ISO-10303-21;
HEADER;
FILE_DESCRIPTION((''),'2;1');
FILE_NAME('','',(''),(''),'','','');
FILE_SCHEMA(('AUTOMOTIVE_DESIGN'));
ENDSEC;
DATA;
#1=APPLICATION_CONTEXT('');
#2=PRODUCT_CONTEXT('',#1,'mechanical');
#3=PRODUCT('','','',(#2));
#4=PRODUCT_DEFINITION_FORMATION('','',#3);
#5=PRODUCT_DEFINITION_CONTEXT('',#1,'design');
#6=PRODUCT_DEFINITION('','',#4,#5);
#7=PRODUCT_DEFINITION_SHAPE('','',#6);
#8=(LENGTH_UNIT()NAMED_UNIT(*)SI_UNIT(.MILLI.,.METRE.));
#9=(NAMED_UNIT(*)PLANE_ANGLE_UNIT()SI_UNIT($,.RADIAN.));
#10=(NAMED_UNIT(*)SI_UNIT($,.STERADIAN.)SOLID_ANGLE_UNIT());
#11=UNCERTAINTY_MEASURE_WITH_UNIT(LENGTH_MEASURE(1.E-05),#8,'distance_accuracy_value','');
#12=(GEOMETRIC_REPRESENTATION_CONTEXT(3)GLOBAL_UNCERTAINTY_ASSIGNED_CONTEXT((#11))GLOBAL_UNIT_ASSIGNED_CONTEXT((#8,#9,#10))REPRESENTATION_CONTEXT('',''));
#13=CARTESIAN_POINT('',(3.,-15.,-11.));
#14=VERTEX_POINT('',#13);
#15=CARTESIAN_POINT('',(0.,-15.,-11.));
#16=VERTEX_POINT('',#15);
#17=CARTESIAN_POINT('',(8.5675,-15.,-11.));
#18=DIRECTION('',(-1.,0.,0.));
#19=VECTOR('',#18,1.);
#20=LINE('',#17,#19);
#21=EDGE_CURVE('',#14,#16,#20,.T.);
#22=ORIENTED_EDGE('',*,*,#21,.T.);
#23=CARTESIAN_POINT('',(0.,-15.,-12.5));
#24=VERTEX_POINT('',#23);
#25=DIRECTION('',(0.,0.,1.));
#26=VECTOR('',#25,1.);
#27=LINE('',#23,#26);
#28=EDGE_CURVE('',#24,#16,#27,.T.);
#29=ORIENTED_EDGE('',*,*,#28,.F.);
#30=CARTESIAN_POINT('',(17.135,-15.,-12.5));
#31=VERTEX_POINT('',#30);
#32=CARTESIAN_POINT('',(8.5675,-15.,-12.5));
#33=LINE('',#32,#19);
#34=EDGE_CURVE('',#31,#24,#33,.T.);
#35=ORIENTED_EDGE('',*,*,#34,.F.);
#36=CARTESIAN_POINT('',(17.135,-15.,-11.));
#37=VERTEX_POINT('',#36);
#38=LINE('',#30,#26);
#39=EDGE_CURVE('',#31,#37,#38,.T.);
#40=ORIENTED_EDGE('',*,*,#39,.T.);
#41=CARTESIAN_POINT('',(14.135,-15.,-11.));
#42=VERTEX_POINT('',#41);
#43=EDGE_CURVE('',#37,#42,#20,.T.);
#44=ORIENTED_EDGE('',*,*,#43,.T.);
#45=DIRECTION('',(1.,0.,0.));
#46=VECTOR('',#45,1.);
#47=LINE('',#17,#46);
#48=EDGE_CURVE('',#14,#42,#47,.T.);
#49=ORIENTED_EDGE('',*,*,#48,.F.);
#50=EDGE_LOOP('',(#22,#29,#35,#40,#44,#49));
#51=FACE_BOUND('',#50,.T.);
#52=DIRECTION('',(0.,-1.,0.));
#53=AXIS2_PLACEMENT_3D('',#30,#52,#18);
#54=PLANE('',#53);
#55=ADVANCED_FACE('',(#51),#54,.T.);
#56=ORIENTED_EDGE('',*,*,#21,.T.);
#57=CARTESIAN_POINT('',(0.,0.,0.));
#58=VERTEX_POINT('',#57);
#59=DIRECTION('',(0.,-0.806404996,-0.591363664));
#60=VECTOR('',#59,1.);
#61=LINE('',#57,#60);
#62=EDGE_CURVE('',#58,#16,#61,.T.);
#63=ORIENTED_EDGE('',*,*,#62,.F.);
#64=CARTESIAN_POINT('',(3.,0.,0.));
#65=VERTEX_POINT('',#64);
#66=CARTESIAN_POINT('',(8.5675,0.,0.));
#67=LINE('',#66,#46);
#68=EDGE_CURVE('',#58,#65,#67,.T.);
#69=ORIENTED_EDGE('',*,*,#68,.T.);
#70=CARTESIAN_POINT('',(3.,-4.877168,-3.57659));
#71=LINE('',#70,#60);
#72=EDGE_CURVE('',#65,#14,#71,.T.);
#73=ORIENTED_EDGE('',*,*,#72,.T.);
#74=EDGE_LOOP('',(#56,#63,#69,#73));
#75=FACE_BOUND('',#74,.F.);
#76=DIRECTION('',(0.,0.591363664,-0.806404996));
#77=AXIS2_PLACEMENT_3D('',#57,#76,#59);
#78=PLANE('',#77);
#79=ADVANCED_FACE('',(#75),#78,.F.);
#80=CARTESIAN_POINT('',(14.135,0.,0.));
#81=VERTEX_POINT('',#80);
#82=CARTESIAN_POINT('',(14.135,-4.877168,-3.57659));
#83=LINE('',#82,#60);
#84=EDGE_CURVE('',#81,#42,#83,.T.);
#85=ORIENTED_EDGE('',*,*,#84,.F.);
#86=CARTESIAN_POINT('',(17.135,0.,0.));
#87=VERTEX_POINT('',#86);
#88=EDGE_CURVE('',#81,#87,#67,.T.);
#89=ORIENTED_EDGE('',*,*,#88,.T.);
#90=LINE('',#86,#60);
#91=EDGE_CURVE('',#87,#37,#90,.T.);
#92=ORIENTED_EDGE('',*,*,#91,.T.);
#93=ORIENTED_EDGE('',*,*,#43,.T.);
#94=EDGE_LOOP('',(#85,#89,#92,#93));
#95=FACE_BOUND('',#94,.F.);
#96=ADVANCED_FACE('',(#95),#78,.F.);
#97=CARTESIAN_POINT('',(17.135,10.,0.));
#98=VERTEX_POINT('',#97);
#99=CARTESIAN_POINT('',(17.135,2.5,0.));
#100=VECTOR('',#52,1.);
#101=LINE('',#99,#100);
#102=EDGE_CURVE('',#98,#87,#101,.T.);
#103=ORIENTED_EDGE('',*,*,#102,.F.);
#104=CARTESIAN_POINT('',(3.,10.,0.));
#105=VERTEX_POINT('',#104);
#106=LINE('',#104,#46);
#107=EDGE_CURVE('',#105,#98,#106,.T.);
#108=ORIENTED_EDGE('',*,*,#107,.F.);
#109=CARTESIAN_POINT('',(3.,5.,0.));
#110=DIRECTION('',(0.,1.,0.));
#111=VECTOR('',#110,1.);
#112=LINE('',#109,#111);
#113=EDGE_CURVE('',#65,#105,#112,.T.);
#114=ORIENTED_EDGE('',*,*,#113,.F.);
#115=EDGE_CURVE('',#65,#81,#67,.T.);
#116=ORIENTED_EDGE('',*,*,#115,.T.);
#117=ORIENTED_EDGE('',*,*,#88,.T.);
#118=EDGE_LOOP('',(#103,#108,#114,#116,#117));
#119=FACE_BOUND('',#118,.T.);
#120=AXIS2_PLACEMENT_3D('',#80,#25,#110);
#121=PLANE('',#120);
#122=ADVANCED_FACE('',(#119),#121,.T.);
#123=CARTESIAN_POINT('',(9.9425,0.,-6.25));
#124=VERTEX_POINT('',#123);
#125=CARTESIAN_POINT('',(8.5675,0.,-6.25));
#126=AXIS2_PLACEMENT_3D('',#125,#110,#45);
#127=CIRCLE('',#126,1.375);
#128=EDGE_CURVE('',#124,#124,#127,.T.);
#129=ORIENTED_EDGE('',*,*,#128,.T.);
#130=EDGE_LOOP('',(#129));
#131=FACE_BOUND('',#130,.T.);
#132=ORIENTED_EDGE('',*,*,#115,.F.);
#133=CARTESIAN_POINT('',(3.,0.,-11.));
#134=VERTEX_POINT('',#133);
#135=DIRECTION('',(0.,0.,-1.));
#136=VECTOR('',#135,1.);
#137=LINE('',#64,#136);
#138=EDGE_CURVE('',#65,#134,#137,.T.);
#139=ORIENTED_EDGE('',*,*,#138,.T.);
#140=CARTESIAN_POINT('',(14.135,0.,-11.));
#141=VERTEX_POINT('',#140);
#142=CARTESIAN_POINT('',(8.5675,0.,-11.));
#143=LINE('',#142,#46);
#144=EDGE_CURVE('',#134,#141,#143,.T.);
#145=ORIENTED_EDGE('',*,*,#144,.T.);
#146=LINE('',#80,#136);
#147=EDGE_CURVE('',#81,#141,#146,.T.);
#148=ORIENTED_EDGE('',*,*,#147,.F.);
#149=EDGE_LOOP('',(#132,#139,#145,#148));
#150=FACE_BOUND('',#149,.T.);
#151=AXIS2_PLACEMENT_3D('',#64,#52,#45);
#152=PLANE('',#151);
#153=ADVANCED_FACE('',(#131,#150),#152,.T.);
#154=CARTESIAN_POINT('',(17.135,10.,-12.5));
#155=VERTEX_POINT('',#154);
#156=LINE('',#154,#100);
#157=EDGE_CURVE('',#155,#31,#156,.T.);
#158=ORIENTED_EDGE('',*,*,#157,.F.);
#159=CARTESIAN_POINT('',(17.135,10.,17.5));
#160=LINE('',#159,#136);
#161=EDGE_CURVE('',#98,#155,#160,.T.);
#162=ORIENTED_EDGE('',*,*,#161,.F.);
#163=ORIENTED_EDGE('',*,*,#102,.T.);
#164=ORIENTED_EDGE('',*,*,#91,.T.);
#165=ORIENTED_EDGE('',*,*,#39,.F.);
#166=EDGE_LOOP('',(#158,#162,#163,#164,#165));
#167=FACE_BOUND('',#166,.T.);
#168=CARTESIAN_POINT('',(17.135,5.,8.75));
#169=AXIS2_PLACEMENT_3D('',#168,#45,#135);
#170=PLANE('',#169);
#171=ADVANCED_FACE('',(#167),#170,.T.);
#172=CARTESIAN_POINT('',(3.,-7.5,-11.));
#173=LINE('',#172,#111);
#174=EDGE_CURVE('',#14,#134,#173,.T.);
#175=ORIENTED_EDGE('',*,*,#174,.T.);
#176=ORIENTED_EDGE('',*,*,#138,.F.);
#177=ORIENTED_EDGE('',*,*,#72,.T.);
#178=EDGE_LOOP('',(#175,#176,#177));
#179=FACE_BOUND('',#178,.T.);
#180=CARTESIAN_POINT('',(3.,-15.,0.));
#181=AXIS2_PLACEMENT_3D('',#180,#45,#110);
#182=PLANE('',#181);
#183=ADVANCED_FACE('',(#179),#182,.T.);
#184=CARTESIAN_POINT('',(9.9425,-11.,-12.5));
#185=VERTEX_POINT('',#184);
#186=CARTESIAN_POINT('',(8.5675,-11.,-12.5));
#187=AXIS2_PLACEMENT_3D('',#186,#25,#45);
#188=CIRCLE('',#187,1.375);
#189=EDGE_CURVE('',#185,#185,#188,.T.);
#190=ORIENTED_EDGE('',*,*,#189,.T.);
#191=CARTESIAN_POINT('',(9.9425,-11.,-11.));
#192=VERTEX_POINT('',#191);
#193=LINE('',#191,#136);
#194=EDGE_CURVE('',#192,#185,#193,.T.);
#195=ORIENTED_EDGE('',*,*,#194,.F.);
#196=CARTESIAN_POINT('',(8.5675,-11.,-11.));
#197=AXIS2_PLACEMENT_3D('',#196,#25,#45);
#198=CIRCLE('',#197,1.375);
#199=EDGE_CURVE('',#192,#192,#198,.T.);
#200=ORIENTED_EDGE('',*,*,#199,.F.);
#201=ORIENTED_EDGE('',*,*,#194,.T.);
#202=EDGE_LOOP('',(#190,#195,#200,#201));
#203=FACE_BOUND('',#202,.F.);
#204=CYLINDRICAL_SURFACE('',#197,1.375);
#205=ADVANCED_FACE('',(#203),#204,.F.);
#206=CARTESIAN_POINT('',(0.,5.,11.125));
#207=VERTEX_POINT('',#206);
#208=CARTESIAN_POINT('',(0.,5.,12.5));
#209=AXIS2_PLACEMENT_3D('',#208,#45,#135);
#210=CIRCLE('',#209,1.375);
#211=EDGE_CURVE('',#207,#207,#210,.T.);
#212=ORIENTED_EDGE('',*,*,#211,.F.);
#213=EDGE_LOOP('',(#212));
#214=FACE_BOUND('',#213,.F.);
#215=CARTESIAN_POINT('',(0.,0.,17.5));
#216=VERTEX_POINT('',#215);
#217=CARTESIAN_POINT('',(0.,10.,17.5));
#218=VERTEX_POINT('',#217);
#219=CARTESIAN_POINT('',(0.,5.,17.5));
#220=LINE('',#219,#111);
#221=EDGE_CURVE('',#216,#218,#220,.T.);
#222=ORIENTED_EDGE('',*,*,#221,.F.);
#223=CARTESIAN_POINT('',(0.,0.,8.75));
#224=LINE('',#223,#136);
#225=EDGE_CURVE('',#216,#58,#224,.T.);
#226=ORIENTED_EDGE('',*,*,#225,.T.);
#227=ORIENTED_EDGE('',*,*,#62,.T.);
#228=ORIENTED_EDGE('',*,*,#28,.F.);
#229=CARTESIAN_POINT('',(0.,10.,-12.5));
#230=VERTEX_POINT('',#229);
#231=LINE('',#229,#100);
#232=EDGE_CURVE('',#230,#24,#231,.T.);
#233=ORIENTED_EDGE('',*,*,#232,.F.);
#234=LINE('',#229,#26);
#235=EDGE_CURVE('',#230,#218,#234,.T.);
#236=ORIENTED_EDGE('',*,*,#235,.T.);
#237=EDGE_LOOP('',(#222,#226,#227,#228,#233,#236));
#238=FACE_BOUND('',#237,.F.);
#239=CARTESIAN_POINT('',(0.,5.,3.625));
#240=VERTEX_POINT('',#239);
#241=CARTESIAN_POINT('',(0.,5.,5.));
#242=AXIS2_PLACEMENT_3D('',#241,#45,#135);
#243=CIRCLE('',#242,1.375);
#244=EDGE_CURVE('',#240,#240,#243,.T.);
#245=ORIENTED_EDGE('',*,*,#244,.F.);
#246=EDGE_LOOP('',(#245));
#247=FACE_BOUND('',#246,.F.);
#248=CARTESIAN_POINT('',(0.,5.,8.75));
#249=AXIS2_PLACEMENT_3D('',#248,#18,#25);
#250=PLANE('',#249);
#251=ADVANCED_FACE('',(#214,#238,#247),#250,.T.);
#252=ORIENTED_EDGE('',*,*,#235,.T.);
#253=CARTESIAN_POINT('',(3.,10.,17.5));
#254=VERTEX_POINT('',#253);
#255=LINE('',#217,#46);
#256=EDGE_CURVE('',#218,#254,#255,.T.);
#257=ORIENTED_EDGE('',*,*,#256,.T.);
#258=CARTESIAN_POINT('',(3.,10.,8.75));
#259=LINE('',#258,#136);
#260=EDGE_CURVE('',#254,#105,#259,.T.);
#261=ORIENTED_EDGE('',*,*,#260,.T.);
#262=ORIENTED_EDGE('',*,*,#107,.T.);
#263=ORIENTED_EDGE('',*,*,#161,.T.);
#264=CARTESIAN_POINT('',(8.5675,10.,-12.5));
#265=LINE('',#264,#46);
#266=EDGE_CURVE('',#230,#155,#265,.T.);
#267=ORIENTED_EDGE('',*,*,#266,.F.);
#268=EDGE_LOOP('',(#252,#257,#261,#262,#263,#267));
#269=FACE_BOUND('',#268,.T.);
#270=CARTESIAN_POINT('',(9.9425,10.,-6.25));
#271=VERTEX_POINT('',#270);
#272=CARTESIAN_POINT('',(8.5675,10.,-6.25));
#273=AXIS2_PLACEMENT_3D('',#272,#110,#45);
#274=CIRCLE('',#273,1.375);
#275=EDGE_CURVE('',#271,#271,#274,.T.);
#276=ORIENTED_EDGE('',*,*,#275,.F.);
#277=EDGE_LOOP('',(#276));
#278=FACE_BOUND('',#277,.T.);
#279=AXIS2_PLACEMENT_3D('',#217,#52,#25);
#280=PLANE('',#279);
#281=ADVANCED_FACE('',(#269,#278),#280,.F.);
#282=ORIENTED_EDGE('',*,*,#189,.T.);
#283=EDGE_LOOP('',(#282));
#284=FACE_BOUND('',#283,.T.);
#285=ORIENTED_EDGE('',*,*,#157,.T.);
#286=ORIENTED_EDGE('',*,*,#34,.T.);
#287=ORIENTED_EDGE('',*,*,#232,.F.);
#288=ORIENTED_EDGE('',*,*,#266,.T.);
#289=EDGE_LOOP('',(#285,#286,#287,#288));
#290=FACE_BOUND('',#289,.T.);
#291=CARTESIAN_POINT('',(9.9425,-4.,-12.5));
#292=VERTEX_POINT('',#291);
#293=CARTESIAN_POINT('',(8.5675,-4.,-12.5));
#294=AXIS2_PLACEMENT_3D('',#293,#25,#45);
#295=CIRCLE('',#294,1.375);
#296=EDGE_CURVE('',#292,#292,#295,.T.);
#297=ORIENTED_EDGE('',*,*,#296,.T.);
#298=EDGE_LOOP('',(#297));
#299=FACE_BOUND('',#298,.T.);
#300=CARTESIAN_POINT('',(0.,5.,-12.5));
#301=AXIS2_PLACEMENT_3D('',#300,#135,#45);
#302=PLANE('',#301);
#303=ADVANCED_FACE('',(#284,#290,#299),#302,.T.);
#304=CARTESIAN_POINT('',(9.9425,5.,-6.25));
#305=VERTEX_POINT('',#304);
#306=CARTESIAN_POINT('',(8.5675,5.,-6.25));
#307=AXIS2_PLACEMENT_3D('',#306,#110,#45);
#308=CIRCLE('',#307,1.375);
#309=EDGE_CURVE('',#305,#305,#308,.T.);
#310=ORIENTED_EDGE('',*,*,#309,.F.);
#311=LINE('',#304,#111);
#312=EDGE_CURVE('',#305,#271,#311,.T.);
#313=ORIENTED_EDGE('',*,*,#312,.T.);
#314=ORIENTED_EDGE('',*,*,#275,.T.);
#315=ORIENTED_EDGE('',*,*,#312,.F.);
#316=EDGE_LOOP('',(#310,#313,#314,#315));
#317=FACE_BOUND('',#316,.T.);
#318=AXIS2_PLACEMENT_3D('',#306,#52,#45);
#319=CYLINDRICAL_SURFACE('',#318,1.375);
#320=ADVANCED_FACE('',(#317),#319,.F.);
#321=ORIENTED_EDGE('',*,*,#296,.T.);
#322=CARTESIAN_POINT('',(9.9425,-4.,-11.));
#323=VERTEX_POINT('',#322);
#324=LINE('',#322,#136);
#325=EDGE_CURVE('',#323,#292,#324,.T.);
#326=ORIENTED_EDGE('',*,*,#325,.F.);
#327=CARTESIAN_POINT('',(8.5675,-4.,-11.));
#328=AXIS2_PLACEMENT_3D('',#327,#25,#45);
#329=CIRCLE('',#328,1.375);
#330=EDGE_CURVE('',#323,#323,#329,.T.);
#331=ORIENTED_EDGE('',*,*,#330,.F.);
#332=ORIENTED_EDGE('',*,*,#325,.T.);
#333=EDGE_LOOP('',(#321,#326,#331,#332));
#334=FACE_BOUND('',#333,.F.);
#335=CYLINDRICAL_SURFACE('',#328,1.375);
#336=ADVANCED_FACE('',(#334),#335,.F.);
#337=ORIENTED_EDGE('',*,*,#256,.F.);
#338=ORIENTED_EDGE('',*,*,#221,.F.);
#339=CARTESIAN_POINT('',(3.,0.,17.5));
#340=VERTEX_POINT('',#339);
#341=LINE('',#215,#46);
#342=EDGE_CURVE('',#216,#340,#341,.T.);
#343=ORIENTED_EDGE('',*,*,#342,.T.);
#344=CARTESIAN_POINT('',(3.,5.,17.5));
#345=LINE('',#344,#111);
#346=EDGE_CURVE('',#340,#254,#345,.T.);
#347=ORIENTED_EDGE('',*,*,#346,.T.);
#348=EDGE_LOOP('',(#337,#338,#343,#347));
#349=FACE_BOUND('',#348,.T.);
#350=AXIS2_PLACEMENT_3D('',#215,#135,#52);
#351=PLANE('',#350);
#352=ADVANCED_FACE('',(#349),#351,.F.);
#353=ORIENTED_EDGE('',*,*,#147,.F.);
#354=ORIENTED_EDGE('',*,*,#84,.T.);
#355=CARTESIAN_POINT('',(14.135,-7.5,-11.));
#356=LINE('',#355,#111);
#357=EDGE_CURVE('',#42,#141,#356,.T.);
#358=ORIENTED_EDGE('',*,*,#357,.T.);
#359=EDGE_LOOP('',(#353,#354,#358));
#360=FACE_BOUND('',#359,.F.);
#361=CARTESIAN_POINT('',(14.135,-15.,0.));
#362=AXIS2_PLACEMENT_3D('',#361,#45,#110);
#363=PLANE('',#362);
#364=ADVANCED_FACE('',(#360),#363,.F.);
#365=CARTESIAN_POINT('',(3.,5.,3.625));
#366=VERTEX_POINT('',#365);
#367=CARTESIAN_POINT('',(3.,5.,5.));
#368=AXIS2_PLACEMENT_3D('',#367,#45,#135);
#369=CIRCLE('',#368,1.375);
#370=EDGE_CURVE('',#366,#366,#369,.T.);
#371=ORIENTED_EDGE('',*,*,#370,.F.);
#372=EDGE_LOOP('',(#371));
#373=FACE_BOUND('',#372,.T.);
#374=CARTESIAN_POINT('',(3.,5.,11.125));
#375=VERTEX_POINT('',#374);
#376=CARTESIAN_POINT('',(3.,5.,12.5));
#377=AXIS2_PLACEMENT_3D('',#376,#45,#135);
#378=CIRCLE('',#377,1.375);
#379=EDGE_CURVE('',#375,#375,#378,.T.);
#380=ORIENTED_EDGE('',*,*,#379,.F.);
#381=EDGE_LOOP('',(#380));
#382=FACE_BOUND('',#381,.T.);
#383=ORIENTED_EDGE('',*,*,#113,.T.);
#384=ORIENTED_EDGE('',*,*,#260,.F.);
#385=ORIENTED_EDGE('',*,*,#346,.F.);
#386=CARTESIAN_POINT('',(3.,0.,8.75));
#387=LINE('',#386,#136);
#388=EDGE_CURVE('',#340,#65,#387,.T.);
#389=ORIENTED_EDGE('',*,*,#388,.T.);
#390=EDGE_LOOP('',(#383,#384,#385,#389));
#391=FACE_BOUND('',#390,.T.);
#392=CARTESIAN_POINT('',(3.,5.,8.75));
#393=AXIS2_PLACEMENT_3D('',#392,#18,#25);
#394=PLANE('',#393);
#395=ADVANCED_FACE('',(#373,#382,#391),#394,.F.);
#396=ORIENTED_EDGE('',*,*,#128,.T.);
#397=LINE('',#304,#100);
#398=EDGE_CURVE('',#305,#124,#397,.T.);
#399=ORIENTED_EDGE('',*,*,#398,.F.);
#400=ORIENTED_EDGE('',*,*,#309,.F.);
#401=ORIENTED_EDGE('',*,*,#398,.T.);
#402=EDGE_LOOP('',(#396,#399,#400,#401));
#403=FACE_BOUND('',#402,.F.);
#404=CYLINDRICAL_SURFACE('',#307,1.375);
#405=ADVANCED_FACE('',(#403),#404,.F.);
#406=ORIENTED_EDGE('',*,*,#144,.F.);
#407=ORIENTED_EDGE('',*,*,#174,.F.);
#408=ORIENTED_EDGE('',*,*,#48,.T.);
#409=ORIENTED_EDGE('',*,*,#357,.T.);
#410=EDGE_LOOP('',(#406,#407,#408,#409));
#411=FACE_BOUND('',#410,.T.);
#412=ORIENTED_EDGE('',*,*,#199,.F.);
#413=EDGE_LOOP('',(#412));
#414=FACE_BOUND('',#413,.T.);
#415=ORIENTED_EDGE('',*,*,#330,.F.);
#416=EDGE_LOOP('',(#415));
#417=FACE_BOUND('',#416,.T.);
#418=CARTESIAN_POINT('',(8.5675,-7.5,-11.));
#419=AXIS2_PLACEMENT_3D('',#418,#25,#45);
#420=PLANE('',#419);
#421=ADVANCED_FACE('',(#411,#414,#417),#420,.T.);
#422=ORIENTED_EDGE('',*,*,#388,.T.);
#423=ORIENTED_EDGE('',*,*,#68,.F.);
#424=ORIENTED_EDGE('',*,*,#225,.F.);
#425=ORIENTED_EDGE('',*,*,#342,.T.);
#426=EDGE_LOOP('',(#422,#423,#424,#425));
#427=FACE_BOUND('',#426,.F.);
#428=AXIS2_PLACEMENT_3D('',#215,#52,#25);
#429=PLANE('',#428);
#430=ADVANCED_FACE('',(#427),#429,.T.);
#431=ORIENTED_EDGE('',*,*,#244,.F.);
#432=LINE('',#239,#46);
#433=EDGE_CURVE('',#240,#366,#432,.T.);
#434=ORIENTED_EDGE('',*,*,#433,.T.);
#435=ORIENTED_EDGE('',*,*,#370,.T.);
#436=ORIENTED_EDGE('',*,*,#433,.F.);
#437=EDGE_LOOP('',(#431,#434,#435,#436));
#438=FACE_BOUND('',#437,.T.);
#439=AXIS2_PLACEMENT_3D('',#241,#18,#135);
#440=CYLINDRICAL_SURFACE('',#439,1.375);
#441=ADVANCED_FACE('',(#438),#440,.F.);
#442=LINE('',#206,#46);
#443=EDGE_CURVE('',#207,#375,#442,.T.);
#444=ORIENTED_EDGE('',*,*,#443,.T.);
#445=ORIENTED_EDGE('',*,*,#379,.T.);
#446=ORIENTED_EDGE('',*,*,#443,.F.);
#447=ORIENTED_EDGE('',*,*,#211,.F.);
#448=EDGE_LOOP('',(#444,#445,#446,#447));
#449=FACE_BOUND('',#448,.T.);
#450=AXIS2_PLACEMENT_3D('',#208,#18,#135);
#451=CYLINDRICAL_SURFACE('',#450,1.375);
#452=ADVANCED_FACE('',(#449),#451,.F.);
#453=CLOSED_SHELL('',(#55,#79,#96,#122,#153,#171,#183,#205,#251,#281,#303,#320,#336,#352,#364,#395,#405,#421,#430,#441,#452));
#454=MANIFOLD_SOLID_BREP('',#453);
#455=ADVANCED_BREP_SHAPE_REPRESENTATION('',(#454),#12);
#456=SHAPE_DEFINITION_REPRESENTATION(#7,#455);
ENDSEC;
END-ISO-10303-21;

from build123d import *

# Parameters (mm, degrees)
SKETCH1_W           = 17.135
SKETCH1_H           = 12.5
BASE_DEPTH          = 5
SKETCH2_W           = 17.135
SKETCH2_H           = 15
BOSS_EXTRUDE2_DEPTH = 1.5
BOSS_EXTRUDE3_DEPTH = 17.135
SKETCH4_W           = 11.135
SKETCH4_H           = 15
CUT_EXTRUDE1_DEPTH  = 11
SKETCH5_R           = 1.375
CUT_EXTRUDE2_DEPTH  = 2
SKETCH6_R           = 1.375
CUT_EXTRUDE3_DEPTH  = 5.75
SKETCH7_W           = 17.135
SKETCH7_H           = 12.5
SKETCH7_R           = 1.375
BOSS_EXTRUDE4_DEPTH = 5
SKETCH8_W           = 17.5
SKETCH8_H           = 10
SKETCH8_R           = 1.375
BOSS_EXTRUDE5_DEPTH = 3
SKETCH9_W           = 17.5
SKETCH9_H           = 10
CUT_EXTRUDE4_DEPTH  = 10


with BuildPart() as part:
    # Sketch1 → base (new body)
    with BuildSketch(Plane(origin=(0, 0, 0), x_dir=(1, 0, 0), z_dir=(0, 1, 0))):
        with Locations((8.5675, 6.25)):
            Rectangle(SKETCH1_W, SKETCH1_H)
    extrude(amount=BASE_DEPTH)

    # Sketch2 → Boss-Extrude2 (add)
    with BuildSketch(Plane(origin=(0, 0, -12.5), x_dir=(-1, 0, 0), z_dir=(0, 0, -1))):
        with Locations((-8.5675, -7.5)):
            Rectangle(SKETCH2_W, SKETCH2_H)
    extrude(amount=-BOSS_EXTRUDE2_DEPTH)

    # Sketch3 → Boss-Extrude3 (add)
    with BuildSketch(Plane.ZY):
        Polygon((0, 0), (-11, -15), (-11, 0), align=None)
    extrude(amount=-BOSS_EXTRUDE3_DEPTH)

    # Sketch4 → Cut-Extrude1 (cut)
    with BuildSketch(Plane.XY):
        with Locations((8.5675, -7.5)):
            Rectangle(SKETCH4_W, SKETCH4_H)
    extrude(amount=-CUT_EXTRUDE1_DEPTH, mode=Mode.SUBTRACT)

    # Sketch5 → Cut-Extrude2 (cut)
    with BuildSketch(Plane.XY.offset(-11)):
        with Locations((8.5675, -4)):
            Circle(SKETCH5_R)
        with Locations((8.5675, -11)):
            Circle(SKETCH5_R)
    extrude(amount=-CUT_EXTRUDE2_DEPTH, mode=Mode.SUBTRACT)

    # Sketch6 → Cut-Extrude3 (cut)
    with BuildSketch(Plane(origin=(0, 5, 0), x_dir=(1, 0, 0), z_dir=(0, 1, 0))):
        with Locations((8.5675, 6.25)):
            Circle(SKETCH6_R)
    extrude(amount=-CUT_EXTRUDE3_DEPTH, mode=Mode.SUBTRACT)

    # Sketch7 → Boss-Extrude4 (add)
    with BuildSketch(Plane(origin=(0, 5, 0), x_dir=(1, 0, 0), z_dir=(0, 1, 0))):
        with Locations((8.5675, 6.25)):
            Rectangle(SKETCH7_W, SKETCH7_H)
        with Locations((8.5675, 6.25)):
            Circle(SKETCH7_R, mode=Mode.SUBTRACT)
    extrude(amount=BOSS_EXTRUDE4_DEPTH)

    # Sketch8 → Boss-Extrude5 (add)
    with BuildSketch(Plane(origin=(17.135, 0, 0), x_dir=(0, 0, -1), z_dir=(1, 0, 0))):
        with Locations((-8.75, 5)):
            Rectangle(SKETCH8_W, SKETCH8_H)
        with Locations((-5, 5)):
            Circle(SKETCH8_R, mode=Mode.SUBTRACT)
        with Locations((-12.5, 5)):
            Circle(SKETCH8_R, mode=Mode.SUBTRACT)
    boss_extrude5 = extrude(amount=-BOSS_EXTRUDE5_DEPTH)

    # Mirror1: Boss-Extrude5 across plane
    add(boss_extrude5.mirror(Plane.ZY.offset(-8.5675)))

    # Sketch9 → Cut-Extrude4 (cut)
    with BuildSketch(Plane.ZY.offset(-14.135)):
        with Locations((8.75, 5)):
            Rectangle(SKETCH9_W, SKETCH9_H)
    extrude(amount=-CUT_EXTRUDE4_DEPTH, mode=Mode.SUBTRACT)


solid = part.part
